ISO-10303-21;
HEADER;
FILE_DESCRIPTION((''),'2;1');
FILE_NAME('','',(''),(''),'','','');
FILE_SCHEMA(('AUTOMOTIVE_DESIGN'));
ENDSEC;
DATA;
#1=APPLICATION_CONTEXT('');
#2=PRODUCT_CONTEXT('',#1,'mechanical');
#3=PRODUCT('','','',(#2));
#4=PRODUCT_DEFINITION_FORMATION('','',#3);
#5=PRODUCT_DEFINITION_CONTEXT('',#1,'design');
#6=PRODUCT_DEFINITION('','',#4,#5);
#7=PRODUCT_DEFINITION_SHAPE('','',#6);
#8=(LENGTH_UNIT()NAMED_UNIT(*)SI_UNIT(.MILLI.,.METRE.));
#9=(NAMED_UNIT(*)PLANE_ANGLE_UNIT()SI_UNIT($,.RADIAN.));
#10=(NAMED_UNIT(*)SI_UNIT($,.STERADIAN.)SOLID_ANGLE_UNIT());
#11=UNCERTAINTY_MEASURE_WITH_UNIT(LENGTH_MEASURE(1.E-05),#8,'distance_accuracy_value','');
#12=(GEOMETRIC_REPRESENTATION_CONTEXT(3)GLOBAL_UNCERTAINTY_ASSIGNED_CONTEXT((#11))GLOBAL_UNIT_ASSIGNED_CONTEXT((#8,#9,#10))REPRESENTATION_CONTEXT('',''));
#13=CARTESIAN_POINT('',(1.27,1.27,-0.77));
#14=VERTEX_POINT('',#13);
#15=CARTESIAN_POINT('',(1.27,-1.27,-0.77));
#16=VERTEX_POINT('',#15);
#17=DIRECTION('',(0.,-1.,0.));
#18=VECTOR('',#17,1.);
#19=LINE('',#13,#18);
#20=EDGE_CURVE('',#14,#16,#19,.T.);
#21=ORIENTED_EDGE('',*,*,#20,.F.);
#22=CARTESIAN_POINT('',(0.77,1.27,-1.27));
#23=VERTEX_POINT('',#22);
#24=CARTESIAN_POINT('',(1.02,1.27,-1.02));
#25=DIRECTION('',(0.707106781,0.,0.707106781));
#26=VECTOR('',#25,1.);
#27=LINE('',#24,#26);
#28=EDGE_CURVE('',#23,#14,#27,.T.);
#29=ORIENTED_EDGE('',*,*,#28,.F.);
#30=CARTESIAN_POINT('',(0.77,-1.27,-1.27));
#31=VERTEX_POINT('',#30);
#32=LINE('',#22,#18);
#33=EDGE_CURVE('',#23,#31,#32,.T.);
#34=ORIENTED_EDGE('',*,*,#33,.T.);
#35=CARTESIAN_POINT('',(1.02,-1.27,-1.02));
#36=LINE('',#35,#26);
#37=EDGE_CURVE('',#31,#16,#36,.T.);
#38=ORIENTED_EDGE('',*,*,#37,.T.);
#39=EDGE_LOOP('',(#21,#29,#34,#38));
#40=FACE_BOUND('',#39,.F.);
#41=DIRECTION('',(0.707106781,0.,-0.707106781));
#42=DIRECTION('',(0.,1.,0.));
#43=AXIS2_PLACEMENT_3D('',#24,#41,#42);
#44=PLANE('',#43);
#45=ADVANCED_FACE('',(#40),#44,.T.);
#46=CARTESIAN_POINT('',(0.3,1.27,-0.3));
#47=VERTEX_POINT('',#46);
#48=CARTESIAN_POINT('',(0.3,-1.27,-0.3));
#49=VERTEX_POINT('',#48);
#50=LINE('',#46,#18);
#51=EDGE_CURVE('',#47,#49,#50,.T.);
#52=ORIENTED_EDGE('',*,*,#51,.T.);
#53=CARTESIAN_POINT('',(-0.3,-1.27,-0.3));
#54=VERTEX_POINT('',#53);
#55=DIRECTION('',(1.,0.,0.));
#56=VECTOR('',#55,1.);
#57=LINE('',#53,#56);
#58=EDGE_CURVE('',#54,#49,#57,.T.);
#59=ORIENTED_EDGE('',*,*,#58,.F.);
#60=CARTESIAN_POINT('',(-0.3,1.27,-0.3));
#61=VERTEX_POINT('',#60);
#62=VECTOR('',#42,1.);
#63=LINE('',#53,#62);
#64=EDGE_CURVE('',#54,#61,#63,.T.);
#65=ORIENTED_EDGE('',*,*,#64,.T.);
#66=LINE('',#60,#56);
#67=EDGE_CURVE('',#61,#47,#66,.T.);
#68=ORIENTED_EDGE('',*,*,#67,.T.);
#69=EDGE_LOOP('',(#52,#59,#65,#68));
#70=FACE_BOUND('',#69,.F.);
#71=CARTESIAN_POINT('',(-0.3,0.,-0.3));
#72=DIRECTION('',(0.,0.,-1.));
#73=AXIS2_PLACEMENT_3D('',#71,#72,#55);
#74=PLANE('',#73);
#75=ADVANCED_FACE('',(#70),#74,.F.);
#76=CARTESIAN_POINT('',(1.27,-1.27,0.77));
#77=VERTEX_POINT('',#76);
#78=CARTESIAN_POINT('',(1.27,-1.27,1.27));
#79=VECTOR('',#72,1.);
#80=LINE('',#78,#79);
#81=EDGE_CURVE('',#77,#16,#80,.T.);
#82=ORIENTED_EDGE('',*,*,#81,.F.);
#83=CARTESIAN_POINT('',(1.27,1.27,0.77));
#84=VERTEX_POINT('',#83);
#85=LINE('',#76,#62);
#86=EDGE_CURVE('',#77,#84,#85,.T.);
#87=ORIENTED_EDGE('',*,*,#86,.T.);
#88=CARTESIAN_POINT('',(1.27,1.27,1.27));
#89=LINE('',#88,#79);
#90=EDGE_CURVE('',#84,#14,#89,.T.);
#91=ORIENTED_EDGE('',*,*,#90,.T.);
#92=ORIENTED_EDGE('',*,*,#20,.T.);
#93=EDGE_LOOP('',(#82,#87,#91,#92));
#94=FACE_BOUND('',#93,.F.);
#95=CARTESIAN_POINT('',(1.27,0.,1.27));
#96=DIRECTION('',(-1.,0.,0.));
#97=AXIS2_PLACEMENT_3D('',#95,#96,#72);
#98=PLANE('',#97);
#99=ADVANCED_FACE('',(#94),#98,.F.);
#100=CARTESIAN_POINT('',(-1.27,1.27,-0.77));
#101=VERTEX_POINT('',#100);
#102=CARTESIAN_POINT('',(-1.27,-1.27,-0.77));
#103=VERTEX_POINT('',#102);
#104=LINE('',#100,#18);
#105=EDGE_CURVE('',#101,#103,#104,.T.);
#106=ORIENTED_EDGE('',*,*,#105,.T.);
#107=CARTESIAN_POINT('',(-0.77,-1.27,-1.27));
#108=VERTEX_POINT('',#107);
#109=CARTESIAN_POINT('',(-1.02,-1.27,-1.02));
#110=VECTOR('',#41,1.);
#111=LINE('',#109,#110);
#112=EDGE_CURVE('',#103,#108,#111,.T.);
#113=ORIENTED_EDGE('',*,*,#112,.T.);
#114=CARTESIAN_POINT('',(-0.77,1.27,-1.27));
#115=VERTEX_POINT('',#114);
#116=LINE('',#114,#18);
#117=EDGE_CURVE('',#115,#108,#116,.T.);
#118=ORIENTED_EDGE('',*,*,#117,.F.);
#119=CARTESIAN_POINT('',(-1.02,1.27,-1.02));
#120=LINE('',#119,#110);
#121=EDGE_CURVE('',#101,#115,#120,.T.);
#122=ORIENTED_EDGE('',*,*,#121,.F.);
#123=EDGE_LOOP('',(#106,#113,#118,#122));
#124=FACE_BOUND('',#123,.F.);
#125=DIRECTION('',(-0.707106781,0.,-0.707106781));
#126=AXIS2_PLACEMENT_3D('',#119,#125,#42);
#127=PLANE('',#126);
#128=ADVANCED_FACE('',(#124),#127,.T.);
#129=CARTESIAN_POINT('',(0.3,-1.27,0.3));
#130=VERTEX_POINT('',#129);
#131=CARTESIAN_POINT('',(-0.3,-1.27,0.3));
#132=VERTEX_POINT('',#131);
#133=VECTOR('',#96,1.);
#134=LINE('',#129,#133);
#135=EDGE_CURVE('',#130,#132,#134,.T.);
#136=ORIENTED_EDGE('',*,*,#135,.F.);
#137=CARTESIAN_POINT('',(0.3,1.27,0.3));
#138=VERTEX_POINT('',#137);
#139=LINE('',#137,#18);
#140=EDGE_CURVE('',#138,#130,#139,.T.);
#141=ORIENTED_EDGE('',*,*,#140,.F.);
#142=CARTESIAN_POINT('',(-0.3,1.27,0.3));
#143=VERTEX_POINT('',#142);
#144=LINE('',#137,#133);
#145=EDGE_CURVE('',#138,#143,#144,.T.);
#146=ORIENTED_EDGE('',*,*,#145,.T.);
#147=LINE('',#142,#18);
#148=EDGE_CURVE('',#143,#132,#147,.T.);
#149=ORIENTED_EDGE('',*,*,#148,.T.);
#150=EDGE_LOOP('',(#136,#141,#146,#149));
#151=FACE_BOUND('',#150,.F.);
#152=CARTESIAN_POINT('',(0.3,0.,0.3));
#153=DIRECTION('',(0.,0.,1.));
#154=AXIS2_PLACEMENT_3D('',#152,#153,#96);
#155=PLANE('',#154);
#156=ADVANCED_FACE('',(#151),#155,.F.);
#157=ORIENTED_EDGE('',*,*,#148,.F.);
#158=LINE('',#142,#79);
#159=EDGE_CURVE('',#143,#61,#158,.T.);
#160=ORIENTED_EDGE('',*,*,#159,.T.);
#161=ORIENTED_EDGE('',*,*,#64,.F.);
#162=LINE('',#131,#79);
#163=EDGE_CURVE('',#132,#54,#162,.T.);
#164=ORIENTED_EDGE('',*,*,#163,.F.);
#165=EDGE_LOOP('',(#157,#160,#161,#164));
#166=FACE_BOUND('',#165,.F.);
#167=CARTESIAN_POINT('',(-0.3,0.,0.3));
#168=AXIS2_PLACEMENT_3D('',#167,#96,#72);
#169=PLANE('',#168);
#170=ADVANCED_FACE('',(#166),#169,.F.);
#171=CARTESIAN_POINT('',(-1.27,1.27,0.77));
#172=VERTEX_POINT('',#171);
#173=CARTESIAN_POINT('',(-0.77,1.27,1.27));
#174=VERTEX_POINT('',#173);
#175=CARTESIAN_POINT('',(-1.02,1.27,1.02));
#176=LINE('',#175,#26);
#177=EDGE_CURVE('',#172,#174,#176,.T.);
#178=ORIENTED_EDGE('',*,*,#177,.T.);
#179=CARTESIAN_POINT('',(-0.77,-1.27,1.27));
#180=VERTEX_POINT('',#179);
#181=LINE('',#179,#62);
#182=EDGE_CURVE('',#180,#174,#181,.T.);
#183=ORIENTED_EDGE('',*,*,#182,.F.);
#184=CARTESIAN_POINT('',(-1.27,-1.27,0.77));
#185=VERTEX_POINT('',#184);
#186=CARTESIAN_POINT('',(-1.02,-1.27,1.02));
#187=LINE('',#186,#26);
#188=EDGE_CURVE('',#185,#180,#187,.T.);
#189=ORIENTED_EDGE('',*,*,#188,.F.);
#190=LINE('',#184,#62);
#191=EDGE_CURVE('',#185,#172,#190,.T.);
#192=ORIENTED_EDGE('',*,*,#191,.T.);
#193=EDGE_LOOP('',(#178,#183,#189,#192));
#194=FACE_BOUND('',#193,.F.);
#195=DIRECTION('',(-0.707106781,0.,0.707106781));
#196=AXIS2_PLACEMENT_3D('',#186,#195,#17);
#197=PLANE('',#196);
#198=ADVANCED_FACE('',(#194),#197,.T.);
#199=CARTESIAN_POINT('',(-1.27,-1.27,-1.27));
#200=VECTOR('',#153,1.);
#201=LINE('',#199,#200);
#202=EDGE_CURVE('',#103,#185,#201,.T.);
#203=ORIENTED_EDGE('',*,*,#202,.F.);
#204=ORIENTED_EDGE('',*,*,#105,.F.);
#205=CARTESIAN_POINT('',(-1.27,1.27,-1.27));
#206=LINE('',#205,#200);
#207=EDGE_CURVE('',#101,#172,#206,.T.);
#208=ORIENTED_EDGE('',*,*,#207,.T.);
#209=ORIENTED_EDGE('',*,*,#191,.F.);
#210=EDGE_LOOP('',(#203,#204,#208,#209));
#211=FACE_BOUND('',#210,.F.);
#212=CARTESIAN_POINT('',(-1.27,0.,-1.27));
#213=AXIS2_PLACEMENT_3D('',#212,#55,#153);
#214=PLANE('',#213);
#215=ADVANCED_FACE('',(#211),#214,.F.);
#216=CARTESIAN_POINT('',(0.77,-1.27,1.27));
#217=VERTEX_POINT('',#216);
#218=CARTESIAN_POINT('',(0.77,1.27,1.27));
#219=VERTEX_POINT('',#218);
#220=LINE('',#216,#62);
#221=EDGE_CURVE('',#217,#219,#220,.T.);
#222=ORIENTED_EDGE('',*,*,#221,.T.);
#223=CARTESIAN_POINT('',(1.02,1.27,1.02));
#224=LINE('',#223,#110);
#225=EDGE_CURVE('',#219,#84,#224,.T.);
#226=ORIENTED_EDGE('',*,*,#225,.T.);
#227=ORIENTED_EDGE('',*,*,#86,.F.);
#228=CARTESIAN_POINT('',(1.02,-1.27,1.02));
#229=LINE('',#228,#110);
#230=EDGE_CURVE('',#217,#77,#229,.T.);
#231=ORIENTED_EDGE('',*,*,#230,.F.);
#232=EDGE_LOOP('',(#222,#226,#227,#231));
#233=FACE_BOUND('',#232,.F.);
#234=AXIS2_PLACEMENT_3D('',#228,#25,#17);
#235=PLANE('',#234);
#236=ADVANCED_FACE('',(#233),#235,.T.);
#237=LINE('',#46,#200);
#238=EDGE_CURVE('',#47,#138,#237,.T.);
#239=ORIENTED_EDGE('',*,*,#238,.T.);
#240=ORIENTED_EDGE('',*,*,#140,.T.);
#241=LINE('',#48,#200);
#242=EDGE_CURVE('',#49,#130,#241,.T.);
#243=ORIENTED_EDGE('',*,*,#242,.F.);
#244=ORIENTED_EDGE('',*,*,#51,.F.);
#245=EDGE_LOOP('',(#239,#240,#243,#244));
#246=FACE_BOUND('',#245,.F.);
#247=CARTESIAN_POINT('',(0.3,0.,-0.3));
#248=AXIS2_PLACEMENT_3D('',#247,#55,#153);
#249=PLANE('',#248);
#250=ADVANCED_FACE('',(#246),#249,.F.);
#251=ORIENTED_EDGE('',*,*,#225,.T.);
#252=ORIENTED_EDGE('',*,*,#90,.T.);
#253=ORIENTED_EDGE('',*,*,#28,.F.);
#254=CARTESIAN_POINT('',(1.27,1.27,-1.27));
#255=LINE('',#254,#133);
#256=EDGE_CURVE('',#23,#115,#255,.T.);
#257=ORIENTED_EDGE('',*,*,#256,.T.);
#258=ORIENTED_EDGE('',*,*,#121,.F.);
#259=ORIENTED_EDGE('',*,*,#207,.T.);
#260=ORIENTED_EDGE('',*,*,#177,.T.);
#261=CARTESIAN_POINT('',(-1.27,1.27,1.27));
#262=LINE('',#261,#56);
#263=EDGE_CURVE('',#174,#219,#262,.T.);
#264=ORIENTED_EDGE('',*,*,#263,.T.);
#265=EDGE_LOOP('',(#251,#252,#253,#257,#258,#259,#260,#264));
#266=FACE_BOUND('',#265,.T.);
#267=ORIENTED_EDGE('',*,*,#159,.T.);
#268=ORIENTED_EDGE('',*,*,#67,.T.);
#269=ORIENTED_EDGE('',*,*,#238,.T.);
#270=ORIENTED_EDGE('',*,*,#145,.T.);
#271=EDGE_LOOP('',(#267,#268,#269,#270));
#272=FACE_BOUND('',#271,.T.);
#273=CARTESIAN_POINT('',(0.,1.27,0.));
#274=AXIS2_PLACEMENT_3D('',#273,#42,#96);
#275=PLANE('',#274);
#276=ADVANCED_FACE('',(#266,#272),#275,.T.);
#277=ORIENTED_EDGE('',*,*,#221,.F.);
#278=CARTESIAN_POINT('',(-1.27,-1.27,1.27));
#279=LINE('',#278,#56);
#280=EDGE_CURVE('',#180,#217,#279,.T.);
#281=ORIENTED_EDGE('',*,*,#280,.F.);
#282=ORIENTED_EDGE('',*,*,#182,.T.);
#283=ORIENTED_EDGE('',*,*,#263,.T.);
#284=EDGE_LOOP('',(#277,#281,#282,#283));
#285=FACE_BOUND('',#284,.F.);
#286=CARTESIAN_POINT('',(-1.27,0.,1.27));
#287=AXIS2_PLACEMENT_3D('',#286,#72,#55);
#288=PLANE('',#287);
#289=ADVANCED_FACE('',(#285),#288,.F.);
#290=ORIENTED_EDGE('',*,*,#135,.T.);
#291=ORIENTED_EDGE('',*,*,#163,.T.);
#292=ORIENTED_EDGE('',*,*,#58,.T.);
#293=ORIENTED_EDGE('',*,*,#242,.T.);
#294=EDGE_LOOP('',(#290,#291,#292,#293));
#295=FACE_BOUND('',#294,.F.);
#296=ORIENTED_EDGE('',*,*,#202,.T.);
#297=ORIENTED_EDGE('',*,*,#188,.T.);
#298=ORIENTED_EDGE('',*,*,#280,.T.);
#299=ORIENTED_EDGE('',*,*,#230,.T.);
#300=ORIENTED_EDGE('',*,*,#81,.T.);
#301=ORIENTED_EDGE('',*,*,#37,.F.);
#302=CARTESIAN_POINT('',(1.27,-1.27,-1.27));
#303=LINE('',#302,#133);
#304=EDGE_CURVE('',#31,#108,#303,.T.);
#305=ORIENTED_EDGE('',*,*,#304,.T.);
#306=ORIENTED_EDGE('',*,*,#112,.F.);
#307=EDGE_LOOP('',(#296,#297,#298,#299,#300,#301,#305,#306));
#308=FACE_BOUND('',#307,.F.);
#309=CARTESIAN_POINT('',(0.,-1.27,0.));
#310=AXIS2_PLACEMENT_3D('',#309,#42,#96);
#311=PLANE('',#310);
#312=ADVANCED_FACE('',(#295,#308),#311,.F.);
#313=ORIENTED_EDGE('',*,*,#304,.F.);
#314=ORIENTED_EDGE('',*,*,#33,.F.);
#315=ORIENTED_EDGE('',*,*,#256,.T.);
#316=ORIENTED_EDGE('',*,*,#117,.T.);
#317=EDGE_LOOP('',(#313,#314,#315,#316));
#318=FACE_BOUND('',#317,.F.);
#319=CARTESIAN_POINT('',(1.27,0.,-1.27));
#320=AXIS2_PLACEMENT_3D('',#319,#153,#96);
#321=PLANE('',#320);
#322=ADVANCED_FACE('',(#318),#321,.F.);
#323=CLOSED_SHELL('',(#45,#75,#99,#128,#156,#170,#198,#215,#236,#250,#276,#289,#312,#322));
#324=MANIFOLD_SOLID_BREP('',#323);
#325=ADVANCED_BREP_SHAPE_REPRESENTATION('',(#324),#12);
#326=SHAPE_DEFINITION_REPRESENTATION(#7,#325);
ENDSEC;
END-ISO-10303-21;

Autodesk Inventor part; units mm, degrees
ref_plane "YZ Plane" through (0, 0, 0) normal (1, 0, 0) x (0, 1, 0)
ref_plane "XZ Plane" through (0, 0, 0) normal (0, 1, 0) x (-1, 0, 0)
ref_plane "XY Plane" through (0, 0, 0) normal (0, 0, 1) x (1, 0, 0)
sketch "Sketch1" plane through (0, 0, 0) normal (0, 1, 0) x (-1, 0, 0)
  line L0 (1.27, 1.27) -> (-1.27, 1.27)
  line L1 (-1.27, 1.27) -> (-1.27, -1.27)
  line L2 (-1.27, -1.27) -> (1.27, -1.27)
  line L3 (1.27, -1.27) -> (1.27, 1.27)
  line L4 (1.27, 1.27) -> (-1.27, -1.27) construction
  line L5 (-1.27, 1.27) -> (1.27, -1.27) construction
  line L6 (0.3, -0.3) -> (-0.3, -0.3)
  line L7 (-0.3, -0.3) -> (-0.3, 0.3)
  line L8 (-0.3, 0.3) -> (0.3, 0.3)
  line L9 (0.3, 0.3) -> (0.3, -0.3)
  line L10 (0.3, -0.3) -> (-0.3, 0.3) construction
  line L11 (-0.3, -0.3) -> (0.3, 0.3) construction
  point P0 (0, 0)
  dimension "d0" = 2.54
  dimension "d1" = 2.54
  dimension "d7" = 0.6
  dimension "d8" = 0.6
extrude "Extrusion1" add sketch "Sketch1" along normal mid plane 2.54
chamfer "Chamfer1" distance 0.5 angle 45 4 edges at (1.27, 0, 1.27) (1.27, 0, -1.27) (-1.27, 0, -1.27) (-1.27, 0, 1.27)
properties part number "Pin Stopper 0.6mm" material "PAEK Plastic"
